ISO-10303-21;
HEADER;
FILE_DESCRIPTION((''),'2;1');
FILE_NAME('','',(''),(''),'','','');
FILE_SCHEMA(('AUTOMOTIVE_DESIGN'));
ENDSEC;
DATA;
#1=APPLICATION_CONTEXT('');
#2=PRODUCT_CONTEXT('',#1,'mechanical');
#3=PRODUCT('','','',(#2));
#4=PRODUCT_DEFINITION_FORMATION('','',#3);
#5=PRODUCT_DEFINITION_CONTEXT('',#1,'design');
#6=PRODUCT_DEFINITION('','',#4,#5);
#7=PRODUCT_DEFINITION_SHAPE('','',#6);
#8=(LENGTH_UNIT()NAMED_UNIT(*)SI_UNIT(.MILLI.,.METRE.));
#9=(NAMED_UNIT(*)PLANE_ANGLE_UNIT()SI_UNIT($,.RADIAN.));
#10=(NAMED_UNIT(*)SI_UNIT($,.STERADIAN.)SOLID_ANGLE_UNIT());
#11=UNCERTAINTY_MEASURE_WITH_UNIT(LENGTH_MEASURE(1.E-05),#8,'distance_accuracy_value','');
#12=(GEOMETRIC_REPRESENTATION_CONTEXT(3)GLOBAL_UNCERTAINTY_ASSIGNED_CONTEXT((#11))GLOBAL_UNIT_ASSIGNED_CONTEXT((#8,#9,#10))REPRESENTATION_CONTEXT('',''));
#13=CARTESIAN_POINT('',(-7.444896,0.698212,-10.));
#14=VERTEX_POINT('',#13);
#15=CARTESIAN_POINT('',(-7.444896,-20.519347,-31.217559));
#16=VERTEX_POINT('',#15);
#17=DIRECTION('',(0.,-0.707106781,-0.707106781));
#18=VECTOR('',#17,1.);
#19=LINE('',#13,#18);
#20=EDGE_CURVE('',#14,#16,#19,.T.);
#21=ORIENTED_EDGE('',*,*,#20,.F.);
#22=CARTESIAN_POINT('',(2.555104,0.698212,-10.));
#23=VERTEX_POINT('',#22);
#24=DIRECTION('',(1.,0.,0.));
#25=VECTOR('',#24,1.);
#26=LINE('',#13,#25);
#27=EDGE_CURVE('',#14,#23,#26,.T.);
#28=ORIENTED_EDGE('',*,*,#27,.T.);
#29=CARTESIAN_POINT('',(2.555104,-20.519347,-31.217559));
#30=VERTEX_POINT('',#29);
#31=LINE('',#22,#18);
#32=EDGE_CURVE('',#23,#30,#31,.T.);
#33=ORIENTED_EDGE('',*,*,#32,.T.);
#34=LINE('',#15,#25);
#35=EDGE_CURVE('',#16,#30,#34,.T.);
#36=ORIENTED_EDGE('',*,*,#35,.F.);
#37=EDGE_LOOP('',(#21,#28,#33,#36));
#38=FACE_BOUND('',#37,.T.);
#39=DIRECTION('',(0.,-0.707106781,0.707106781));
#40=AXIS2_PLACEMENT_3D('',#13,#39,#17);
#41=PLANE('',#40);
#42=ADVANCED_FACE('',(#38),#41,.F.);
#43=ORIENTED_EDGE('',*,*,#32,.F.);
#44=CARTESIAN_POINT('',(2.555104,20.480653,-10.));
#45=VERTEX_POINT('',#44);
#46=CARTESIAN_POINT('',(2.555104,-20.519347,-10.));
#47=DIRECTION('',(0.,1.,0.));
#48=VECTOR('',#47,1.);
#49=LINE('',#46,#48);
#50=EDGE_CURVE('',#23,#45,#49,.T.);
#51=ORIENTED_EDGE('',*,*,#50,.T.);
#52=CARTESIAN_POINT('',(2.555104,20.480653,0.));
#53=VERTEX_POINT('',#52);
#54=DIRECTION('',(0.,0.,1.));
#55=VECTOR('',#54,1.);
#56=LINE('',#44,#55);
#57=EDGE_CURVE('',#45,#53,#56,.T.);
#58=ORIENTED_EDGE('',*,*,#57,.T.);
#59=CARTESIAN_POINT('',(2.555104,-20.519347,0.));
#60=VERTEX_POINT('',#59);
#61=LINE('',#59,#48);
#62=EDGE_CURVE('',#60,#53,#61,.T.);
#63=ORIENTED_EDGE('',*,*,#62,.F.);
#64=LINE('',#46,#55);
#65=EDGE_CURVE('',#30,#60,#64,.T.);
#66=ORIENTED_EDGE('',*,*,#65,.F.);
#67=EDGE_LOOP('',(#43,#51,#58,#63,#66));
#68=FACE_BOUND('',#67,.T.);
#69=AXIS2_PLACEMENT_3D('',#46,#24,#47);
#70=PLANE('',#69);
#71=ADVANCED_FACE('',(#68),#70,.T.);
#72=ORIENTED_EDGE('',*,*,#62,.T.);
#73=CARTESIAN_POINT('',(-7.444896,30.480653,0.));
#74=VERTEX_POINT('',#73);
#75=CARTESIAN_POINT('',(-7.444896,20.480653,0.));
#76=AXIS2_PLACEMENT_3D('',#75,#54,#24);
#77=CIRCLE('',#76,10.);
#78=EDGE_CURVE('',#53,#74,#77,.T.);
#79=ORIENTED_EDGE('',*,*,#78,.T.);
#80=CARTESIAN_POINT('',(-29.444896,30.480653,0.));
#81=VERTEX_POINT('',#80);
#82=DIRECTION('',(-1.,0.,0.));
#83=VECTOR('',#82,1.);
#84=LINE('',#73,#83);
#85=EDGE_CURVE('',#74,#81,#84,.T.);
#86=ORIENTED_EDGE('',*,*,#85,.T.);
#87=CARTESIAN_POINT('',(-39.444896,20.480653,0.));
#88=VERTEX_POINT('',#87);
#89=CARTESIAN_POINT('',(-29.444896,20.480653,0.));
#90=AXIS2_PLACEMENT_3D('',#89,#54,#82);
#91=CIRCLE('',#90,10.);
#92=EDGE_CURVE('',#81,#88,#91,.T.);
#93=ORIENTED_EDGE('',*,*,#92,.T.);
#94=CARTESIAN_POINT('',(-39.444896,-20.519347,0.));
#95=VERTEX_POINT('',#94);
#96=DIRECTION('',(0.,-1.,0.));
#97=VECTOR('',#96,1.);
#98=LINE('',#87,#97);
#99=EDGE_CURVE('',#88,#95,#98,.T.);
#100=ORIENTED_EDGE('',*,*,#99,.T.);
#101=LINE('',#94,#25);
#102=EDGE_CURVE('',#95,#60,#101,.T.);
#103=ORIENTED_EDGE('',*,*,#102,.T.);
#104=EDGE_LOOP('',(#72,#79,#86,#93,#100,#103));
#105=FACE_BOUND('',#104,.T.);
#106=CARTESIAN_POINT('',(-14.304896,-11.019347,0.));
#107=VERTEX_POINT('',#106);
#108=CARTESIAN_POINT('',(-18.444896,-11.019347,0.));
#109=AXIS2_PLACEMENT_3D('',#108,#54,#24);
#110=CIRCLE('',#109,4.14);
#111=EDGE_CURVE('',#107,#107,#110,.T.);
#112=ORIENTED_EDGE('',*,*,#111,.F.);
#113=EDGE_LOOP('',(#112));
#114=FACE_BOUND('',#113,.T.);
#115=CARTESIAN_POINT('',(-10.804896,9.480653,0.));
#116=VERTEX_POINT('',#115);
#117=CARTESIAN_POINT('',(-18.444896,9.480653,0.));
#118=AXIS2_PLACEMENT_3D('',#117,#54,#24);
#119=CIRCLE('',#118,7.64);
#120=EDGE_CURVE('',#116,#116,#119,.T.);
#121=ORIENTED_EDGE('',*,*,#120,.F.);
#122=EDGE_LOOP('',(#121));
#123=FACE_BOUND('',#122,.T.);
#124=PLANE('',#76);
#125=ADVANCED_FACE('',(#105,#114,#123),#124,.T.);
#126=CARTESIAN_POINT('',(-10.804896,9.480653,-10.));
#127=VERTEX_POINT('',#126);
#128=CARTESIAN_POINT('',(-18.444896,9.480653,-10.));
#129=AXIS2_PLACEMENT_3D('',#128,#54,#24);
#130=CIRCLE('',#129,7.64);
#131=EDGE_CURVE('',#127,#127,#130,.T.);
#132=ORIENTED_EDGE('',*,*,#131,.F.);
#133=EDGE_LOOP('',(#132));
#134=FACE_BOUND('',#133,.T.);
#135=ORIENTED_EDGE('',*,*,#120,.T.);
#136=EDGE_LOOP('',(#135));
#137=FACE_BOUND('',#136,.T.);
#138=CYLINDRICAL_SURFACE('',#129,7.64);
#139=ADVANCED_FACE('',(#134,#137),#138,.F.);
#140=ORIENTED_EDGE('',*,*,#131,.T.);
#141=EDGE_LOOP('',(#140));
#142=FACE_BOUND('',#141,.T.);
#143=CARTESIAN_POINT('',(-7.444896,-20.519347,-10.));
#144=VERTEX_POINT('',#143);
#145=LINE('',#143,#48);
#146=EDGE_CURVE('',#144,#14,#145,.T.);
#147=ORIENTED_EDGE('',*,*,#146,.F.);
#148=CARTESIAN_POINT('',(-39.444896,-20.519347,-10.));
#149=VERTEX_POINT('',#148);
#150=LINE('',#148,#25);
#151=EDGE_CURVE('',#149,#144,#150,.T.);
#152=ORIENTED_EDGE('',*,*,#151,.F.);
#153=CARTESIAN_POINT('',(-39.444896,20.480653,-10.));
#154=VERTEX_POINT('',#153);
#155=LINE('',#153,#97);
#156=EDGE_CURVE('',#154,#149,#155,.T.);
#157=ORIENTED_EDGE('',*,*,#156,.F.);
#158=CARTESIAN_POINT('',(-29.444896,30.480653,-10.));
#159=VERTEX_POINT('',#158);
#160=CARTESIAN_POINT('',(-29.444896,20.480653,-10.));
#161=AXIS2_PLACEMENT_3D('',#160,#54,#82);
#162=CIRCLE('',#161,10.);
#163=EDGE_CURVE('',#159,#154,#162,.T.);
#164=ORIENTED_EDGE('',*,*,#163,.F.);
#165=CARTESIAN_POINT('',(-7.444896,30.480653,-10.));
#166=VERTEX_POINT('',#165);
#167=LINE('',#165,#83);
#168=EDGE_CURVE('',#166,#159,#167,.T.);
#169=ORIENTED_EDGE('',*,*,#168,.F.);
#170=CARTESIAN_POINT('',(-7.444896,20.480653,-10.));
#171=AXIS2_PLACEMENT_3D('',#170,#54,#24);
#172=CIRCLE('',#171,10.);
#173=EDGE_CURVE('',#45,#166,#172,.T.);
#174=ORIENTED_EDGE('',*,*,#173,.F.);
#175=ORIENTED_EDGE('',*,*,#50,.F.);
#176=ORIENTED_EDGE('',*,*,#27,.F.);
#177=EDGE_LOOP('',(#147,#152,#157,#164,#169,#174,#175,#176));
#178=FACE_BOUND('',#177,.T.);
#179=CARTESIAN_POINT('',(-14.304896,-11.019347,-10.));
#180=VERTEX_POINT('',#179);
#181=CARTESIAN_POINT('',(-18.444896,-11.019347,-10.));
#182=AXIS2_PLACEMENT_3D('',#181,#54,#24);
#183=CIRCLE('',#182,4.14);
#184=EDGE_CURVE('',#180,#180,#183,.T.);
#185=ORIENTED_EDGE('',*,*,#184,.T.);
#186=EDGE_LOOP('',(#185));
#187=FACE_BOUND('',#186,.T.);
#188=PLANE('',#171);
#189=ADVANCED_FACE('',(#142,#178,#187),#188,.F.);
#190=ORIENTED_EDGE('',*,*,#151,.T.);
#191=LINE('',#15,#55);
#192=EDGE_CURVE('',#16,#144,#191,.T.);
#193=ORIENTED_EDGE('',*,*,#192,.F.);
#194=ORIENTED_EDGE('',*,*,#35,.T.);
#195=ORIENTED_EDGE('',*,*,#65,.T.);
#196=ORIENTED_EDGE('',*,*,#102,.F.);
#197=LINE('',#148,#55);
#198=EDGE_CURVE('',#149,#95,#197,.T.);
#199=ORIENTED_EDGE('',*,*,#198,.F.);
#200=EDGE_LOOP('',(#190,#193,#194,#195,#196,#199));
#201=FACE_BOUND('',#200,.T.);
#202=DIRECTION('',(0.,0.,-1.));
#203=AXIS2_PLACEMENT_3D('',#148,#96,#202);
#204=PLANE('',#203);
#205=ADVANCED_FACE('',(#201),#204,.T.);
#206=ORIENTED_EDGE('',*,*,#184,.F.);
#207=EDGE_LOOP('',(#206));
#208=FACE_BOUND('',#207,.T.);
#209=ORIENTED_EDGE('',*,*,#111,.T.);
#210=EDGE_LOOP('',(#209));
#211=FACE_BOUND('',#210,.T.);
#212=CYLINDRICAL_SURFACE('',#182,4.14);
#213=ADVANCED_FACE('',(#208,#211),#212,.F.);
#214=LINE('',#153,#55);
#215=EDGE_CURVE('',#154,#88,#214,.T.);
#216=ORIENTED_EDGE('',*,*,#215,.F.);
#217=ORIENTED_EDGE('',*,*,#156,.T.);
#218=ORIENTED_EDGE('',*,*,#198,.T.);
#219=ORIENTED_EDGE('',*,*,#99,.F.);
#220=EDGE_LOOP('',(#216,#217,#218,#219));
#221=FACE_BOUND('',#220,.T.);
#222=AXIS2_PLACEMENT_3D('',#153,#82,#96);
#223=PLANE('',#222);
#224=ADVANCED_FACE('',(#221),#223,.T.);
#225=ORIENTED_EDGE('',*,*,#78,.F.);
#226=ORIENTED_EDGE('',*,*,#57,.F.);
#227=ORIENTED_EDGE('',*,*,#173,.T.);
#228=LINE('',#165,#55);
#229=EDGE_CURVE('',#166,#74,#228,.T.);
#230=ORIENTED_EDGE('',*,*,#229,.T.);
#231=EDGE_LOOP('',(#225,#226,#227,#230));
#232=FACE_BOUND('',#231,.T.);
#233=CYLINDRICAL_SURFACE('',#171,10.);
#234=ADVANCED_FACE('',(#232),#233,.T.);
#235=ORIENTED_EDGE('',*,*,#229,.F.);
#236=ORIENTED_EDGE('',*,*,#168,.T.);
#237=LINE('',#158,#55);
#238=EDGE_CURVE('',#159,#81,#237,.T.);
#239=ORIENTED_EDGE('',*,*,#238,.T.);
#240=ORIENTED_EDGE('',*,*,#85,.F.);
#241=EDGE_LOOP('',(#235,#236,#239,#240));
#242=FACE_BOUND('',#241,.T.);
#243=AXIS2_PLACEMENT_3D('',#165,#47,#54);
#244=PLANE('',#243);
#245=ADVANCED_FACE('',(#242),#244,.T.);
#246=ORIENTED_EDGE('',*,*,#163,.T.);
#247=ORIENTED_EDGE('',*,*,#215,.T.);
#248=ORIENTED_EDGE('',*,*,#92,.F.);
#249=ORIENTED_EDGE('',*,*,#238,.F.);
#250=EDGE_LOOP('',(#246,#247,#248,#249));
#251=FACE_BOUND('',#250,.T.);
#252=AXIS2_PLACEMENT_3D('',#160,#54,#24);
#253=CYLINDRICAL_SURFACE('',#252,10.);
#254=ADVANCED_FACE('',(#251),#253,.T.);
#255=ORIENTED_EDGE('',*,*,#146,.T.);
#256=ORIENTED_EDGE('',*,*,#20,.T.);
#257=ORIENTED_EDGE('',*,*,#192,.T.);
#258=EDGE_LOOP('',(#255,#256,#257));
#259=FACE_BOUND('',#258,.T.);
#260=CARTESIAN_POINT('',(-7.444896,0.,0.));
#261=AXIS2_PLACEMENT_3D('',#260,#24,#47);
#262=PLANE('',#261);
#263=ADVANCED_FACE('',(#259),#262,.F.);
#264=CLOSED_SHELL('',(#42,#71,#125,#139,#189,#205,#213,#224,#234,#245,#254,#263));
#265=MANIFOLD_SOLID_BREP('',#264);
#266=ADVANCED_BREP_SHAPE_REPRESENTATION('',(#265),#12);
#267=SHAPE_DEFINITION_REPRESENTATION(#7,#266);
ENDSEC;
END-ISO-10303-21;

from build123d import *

# Parameters (mm, degrees)
SKETCH1_R           = 7.64
SKETCH1_R_2         = 4.14
BOSS_EXTRUDE1_DEPTH = 10
BOSS_EXTRUDE2_DEPTH = 10


with BuildPart() as part:
    # Sketch1 → Boss-Extrude1 (new body)
    with BuildSketch(Plane.XY):
        with BuildLine():
            Line((-7.444896481, 30.480652594), (-29.444896481, 30.480652594))
            ThreePointArc((-29.444896481, 30.480652594), (-36.515964293, 27.551720406), (-39.444896481, 20.480652594))
            Line((-39.444896481, 20.480652594), (-39.444896481, -20.519347406))
            Line((-39.444896481, -20.519347406), (2.555103519, -20.519347406))
            Line((2.555103519, -20.519347406), (2.555103519, 20.480652594))
            ThreePointArc((2.555103519, 20.480652594), (-0.373828669, 27.551720406), (-7.444896481, 30.480652594))
        make_face()
        with Locations((-18.444896481, 9.480652594)):
            Circle(SKETCH1_R, mode=Mode.SUBTRACT)
        with Locations((-18.444896481, -11.019347406)):
            Circle(SKETCH1_R_2, mode=Mode.SUBTRACT)
    extrude(amount=-BOSS_EXTRUDE1_DEPTH)

    # Sketch2 → Boss-Extrude2 (add)
    with BuildSketch(Plane(origin=(2.555103519, 0, 0), x_dir=(0, 0, -1), z_dir=(1, 0, 0))):
        Polygon((10, 0.69821188), (31.217559285, -20.519347406), (10, -20.519347406), align=None)
    extrude(amount=-BOSS_EXTRUDE2_DEPTH)


solid = part.part
